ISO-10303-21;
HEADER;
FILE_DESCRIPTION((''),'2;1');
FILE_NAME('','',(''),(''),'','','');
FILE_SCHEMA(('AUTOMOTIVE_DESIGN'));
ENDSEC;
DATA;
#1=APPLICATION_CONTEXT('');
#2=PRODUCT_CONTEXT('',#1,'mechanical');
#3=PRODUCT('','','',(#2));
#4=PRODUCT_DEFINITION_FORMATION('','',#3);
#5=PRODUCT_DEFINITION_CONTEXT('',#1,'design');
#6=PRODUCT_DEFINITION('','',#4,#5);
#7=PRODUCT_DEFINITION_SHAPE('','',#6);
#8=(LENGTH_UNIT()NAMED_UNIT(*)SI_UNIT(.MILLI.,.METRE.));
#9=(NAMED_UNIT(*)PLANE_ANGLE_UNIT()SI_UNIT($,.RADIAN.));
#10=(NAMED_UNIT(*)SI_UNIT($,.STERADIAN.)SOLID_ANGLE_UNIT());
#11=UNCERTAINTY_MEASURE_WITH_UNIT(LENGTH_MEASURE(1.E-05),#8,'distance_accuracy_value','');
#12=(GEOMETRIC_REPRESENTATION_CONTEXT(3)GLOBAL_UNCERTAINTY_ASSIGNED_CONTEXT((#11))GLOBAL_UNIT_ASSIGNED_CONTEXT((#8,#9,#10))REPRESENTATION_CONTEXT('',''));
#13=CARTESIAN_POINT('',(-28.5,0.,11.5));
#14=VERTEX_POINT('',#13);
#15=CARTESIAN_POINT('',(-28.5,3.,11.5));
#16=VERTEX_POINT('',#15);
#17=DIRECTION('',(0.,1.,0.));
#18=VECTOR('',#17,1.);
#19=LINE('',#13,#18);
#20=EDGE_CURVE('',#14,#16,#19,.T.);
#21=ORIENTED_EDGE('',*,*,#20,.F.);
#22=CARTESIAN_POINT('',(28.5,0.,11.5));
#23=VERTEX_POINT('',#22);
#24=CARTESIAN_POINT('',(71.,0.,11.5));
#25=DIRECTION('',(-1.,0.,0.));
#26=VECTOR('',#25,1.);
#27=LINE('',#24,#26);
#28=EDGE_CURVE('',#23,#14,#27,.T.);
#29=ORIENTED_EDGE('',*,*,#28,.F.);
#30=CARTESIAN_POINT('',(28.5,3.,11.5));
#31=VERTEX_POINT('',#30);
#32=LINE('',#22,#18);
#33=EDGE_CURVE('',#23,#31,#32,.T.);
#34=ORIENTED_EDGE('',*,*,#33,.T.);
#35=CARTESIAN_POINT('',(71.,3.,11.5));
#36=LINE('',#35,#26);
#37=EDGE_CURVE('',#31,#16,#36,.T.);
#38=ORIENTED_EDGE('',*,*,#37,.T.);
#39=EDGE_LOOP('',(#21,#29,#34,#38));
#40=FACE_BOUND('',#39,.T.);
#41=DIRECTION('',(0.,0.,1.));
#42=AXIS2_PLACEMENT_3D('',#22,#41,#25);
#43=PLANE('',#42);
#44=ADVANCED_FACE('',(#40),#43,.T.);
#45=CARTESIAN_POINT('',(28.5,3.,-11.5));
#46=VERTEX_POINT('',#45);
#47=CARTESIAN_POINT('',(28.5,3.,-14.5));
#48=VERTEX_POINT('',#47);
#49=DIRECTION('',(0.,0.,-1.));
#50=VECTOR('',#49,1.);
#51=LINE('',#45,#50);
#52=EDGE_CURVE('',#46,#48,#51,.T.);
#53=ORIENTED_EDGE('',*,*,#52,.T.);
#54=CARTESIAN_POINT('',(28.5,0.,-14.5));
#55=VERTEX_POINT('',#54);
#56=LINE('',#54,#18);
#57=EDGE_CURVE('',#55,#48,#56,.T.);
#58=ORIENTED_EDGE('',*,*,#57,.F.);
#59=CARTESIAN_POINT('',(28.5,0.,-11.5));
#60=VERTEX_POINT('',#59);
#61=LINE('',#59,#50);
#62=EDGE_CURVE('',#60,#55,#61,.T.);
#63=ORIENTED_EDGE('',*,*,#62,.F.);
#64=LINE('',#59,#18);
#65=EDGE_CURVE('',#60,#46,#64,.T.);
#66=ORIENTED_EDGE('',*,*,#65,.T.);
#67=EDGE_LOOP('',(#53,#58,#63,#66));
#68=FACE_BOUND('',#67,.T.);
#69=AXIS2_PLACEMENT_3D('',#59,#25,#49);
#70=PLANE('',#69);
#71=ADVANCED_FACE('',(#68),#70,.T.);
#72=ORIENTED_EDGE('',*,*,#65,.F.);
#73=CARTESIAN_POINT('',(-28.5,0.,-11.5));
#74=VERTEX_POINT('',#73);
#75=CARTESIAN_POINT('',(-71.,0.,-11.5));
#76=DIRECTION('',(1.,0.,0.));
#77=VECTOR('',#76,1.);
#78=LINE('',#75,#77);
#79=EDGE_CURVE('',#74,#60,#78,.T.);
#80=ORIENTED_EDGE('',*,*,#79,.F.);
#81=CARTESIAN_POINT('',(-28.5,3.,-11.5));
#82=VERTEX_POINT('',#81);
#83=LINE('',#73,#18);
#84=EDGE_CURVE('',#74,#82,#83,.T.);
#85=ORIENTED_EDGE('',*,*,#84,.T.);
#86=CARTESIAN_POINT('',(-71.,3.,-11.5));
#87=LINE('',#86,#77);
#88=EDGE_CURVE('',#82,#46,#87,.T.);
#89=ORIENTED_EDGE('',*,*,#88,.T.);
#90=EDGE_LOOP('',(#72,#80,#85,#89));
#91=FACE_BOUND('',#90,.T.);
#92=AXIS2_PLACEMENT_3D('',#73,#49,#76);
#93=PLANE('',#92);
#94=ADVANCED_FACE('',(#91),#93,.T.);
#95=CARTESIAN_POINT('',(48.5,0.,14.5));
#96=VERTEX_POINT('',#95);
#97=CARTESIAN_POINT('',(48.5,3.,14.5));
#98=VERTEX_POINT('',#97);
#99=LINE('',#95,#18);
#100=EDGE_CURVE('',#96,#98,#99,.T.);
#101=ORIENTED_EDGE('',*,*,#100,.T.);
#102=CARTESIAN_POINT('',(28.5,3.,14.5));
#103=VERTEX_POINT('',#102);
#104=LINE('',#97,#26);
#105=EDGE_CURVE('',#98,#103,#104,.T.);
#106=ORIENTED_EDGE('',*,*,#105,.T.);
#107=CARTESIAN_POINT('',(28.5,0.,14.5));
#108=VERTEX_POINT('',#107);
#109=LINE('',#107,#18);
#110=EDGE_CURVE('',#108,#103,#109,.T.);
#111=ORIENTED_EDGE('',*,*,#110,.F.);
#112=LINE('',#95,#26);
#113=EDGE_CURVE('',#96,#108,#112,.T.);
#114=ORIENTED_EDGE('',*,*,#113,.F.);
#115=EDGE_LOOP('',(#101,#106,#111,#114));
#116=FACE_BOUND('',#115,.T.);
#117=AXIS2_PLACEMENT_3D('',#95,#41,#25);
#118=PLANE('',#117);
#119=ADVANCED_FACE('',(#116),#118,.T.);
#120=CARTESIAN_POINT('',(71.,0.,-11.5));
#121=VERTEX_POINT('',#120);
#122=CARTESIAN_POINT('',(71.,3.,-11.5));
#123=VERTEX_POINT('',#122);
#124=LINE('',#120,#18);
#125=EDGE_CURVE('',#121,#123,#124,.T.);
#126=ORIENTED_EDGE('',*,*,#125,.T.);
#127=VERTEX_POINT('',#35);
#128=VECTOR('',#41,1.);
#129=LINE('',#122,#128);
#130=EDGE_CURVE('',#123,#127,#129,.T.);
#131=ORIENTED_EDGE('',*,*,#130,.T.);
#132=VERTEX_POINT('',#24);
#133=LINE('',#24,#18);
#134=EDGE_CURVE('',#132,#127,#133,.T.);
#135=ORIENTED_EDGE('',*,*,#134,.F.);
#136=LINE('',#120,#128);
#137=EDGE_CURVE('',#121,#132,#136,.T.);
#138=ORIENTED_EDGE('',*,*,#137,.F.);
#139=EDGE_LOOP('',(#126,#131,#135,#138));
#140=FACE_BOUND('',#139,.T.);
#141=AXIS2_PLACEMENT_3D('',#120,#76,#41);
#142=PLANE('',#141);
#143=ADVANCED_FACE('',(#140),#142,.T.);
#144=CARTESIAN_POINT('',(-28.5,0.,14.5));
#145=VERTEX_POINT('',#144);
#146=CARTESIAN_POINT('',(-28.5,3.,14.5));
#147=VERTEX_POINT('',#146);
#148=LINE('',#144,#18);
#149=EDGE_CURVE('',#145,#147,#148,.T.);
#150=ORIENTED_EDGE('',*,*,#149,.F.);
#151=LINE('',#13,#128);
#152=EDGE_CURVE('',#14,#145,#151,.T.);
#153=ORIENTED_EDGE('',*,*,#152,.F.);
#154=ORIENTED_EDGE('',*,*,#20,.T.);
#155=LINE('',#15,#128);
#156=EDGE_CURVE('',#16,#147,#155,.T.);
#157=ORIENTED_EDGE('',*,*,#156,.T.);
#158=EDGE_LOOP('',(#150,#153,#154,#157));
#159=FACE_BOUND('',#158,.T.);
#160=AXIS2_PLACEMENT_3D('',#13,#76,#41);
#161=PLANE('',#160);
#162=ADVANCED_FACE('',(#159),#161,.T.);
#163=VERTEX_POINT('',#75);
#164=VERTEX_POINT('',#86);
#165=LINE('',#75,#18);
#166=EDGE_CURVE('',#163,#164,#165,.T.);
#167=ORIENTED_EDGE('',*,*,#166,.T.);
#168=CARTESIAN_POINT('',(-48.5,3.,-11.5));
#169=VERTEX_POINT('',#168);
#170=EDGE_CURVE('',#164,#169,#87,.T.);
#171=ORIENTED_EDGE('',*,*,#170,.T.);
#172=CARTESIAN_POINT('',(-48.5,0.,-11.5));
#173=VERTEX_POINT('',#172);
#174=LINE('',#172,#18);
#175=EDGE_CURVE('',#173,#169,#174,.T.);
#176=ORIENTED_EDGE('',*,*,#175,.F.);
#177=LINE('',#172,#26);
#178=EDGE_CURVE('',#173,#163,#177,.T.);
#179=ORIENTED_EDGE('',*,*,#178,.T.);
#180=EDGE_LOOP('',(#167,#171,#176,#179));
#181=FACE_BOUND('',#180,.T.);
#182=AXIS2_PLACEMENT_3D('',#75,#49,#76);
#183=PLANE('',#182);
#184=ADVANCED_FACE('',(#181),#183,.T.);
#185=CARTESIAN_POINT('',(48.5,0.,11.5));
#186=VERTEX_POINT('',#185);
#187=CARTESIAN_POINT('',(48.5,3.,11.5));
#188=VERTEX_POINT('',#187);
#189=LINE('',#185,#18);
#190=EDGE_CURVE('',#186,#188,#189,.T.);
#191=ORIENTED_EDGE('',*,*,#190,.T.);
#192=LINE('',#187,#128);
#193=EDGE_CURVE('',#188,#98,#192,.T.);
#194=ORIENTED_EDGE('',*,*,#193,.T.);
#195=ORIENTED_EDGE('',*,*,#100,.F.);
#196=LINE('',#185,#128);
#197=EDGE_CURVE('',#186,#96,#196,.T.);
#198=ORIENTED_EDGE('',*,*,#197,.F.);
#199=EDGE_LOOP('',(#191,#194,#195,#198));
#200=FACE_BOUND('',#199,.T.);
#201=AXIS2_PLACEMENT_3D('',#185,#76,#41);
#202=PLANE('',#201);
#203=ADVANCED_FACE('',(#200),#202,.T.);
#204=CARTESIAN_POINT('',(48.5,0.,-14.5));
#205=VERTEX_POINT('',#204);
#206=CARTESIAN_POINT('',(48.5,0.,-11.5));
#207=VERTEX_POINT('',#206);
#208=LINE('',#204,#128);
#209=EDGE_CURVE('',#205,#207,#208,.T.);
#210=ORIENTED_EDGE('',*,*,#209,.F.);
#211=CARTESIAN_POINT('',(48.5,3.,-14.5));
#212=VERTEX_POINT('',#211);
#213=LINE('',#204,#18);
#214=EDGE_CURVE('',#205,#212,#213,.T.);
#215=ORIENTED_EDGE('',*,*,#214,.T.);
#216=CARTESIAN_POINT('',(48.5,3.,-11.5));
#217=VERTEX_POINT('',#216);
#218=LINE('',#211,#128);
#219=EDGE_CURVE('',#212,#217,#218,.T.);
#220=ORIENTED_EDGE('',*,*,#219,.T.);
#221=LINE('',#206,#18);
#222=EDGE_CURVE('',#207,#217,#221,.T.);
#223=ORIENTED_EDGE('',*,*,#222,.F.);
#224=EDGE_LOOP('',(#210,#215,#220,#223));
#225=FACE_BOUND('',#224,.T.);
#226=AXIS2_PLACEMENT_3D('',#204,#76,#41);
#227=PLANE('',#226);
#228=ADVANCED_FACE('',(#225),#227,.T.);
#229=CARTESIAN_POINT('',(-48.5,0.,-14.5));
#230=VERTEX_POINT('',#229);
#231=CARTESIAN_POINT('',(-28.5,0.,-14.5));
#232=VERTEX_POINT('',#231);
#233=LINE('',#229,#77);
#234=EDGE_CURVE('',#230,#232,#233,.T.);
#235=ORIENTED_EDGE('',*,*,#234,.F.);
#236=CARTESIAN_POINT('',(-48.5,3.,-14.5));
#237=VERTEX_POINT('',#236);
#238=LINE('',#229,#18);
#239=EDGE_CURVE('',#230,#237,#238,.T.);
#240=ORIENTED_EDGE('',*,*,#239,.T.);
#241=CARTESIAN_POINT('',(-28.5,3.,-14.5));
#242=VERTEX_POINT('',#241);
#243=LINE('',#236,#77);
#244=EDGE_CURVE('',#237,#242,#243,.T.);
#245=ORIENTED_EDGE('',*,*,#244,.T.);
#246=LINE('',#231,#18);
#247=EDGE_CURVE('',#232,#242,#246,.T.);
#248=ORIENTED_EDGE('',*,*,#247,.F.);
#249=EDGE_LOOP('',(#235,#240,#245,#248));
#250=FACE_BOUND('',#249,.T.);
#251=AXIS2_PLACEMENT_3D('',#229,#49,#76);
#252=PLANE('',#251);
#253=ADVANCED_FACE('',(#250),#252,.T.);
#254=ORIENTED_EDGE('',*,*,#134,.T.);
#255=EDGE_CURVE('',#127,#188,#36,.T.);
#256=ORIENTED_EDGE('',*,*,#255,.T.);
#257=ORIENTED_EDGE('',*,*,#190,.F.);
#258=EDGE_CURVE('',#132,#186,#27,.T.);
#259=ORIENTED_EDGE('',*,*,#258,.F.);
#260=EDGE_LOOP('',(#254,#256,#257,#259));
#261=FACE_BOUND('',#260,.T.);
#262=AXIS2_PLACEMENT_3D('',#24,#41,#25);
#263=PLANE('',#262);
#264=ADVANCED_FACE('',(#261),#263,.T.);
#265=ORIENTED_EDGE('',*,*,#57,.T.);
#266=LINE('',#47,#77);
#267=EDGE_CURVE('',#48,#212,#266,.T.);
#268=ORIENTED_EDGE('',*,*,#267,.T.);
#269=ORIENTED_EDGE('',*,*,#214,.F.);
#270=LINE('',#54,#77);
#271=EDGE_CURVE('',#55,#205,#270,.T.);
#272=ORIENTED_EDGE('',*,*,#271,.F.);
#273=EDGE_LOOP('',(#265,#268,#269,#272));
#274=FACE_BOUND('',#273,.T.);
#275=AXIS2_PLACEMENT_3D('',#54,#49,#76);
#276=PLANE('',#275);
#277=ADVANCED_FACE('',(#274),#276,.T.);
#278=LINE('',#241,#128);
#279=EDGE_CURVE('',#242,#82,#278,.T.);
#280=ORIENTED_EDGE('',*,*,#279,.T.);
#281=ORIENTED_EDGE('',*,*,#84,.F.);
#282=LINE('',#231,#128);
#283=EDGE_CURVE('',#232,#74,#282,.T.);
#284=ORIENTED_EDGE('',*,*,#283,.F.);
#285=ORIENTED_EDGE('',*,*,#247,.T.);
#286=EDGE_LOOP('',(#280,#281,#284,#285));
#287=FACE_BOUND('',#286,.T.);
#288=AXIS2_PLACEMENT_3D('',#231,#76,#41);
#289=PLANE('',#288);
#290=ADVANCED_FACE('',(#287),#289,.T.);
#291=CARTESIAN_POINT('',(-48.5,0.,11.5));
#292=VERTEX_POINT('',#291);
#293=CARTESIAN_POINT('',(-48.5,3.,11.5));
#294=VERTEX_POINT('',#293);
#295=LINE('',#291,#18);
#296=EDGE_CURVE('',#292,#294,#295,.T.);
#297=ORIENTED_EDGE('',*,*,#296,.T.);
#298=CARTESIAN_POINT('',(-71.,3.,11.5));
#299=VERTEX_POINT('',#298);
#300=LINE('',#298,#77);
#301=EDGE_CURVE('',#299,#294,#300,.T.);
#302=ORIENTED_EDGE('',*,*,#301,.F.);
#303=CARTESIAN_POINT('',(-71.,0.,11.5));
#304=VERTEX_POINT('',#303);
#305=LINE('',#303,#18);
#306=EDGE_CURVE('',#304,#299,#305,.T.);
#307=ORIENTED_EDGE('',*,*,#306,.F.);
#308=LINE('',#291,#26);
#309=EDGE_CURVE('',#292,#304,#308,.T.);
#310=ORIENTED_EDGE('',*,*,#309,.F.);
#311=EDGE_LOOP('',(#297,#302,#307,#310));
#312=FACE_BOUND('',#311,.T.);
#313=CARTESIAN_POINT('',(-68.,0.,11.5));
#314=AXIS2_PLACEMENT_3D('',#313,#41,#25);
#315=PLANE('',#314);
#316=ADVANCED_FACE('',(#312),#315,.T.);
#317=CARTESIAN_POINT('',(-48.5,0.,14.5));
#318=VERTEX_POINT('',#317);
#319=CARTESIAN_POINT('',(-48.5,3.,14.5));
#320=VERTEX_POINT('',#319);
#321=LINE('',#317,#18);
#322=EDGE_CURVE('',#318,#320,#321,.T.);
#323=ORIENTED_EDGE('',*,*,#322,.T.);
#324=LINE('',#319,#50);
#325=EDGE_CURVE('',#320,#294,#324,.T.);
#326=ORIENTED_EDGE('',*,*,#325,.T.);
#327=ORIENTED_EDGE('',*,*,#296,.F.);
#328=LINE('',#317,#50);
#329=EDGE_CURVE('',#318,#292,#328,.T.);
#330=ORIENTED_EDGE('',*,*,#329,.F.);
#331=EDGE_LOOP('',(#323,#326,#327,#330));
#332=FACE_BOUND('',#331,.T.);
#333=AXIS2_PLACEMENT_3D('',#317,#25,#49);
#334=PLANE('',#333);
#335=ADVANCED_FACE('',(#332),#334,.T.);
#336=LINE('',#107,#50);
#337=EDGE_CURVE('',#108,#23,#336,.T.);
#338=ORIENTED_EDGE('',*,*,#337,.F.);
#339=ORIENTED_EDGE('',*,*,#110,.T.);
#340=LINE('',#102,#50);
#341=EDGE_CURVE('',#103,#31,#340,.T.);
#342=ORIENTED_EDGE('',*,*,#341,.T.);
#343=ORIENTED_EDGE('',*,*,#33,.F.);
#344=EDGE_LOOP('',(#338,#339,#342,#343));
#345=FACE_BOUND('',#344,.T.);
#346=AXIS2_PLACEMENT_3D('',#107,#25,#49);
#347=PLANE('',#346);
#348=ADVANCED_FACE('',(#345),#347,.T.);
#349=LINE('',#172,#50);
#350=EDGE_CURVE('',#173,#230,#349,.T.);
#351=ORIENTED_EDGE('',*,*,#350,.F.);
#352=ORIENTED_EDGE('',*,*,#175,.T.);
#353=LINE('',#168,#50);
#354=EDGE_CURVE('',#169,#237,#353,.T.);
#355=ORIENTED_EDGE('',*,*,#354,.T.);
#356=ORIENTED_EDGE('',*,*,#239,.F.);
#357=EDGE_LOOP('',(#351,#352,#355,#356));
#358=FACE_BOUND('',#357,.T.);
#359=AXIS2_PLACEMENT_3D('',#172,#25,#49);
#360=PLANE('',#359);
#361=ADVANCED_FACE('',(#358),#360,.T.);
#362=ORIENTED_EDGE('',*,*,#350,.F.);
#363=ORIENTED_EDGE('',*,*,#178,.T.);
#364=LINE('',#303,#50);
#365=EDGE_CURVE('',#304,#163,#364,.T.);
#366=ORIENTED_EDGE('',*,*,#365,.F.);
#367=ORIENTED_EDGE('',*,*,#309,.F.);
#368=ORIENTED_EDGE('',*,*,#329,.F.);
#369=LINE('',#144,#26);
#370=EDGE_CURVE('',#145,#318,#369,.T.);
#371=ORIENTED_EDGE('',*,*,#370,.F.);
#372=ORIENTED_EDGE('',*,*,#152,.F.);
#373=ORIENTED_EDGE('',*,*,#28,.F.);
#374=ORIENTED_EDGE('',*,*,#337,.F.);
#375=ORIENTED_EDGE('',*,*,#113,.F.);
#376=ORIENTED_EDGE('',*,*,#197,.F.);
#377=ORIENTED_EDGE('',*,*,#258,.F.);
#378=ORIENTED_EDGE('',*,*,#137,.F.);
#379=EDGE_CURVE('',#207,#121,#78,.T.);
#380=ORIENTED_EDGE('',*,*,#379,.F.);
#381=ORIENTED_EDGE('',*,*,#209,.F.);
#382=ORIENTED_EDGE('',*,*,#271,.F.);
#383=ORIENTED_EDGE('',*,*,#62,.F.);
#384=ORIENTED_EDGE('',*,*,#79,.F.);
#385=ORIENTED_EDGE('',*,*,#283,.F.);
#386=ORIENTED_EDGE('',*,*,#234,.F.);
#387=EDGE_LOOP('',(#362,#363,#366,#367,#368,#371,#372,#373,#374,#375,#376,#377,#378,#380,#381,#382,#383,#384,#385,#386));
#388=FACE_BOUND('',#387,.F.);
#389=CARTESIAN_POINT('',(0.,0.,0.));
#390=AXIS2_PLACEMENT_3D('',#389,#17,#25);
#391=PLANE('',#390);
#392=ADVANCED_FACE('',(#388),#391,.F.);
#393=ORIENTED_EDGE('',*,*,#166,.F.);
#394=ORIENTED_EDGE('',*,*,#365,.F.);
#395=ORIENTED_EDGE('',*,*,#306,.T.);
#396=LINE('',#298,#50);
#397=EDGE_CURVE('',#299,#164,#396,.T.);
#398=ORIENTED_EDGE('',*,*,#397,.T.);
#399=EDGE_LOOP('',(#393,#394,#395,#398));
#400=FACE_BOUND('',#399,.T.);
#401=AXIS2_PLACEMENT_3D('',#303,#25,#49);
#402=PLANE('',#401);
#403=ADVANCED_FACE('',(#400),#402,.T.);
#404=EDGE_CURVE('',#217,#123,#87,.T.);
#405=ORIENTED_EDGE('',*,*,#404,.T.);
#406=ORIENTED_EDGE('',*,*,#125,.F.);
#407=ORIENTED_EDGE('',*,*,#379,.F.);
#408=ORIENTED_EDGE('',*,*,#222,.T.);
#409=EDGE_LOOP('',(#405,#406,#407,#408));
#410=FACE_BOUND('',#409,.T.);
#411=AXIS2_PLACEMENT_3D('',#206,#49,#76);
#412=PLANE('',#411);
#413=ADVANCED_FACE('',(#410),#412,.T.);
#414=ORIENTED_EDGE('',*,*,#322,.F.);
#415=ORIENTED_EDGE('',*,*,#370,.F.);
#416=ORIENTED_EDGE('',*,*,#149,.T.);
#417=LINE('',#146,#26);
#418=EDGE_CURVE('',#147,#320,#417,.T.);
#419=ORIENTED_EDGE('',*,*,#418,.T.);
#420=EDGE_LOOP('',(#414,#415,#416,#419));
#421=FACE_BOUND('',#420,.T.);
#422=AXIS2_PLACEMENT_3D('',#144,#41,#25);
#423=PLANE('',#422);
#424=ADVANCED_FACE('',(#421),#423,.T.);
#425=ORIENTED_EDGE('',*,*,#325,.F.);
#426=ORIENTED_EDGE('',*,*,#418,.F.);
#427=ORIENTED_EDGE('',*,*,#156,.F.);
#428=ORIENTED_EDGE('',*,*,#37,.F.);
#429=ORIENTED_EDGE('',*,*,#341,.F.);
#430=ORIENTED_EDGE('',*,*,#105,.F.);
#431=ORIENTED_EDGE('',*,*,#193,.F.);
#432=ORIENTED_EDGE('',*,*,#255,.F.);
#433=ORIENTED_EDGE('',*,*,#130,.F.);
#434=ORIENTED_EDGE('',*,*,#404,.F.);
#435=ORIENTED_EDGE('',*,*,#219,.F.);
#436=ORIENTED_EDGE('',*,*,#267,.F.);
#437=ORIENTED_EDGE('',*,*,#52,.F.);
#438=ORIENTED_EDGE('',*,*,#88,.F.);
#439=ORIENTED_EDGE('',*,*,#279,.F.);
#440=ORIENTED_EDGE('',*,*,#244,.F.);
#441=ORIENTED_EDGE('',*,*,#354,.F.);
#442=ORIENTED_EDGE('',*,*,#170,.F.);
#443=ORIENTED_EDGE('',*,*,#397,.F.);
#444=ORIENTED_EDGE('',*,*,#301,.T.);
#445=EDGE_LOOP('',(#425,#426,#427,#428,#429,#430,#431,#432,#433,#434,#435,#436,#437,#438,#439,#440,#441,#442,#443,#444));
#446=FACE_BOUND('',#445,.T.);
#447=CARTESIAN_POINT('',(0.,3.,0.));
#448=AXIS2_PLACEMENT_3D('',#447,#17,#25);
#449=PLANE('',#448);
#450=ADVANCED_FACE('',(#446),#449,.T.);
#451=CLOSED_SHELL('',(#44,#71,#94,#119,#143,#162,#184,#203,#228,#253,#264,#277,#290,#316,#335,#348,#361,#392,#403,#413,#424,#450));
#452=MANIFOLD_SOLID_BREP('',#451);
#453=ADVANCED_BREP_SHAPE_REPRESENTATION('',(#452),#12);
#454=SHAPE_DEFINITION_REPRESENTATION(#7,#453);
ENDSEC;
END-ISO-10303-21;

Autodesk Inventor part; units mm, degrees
ref_plane "YZ Plane" through (0, 0, 0) normal (1, 0, 0) x (0, 1, 0)
ref_plane "XZ Plane" through (0, 0, 0) normal (0, 1, 0) x (-1, 0, 0)
ref_plane "XY Plane" through (0, 0, 0) normal (0, 0, 1) x (1, 0, 0)
sketch "Sketch1" plane through (0, 0, 0) normal (0, 1, 0) x (-1, 0, 0)
  line L0 (71, -11.5) -> (-71, -11.5)
  line L1 (-71, -11.5) -> (-71, 11.5)
  line L2 (-71, 11.5) -> (71, 11.5)
  line L3 (71, 11.5) -> (71, -11.5)
  line L4 (68, -11.5) -> (68, 11.5)
  line L5 (48.5, -14.5) -> (28.5, -14.5)
  line L6 (28.5, -14.5) -> (28.5, -11.5)
  line L7 (28.5, -11.5) -> (48.5, -11.5)
  line L8 (48.5, -11.5) -> (48.5, -14.5)
  line L9 (48.5, 11.5) -> (28.5, 11.5)
  line L10 (28.5, 11.5) -> (28.5, 14.5)
  line L11 (28.5, 14.5) -> (48.5, 14.5)
  line L12 (48.5, 14.5) -> (48.5, 11.5)
  line L13 (38.5, -14.5) -> (38.5, -11.5) construction
  line L14 (-48.5, -14.5) -> (-48.5, -11.5)
  line L15 (-38.5, -14.5) -> (-38.5, -11.5) construction
  line L16 (-48.5, -11.5) -> (-28.5, -11.5)
  line L17 (-28.5, 11.5) -> (-48.5, 11.5)
  line L18 (-28.5, -14.5) -> (-48.5, -14.5)
  line L19 (-48.5, 14.5) -> (-28.5, 14.5)
  line L20 (-28.5, 14.5) -> (-28.5, 11.5)
  line L21 (-28.5, -11.5) -> (-28.5, -14.5)
  line L22 (-48.5, 11.5) -> (-48.5, 14.5)
  point P0 (0, 0)
  point P1 (-71, 0)
  point P2 (0, -11.5)
  point P3 (48.5, -11.5)
  point P4 (28.5, -11.5)
  point P5 (-28.5, -11.5)
  point P6 (-48.5, -11.5)
  point P7 (-48.5, 11.5)
  point P8 (-28.5, 11.5)
  point P9 (28.5, 11.5)
  point P10 (48.5, 11.5)
  dimension "d0" = 23
  dimension "d1" = 142
  dimension "d2" = 3
  dimension "d3" = 20
  dimension "d4" = 3
  dimension "d5" = 20
  dimension "d6" = 3
  dimension "d7" = 38.5
  dimension "d10" = 77
extrude "Extrusion1" add sketch "Sketch1" along normal blind 3
equation "\"d0\" = stack"
equation "\"d3\" = finger"
equation "\"d4\" = thickness"
equation "\"d5\" = finger"
equation "\"d15\" = thickness"
equation "\"stack\" = 23"
equation "\"finger\" = 20"
equation "\"thickness\" = 3"
properties part number "BungaSign-Bigger-Sides-Right"
